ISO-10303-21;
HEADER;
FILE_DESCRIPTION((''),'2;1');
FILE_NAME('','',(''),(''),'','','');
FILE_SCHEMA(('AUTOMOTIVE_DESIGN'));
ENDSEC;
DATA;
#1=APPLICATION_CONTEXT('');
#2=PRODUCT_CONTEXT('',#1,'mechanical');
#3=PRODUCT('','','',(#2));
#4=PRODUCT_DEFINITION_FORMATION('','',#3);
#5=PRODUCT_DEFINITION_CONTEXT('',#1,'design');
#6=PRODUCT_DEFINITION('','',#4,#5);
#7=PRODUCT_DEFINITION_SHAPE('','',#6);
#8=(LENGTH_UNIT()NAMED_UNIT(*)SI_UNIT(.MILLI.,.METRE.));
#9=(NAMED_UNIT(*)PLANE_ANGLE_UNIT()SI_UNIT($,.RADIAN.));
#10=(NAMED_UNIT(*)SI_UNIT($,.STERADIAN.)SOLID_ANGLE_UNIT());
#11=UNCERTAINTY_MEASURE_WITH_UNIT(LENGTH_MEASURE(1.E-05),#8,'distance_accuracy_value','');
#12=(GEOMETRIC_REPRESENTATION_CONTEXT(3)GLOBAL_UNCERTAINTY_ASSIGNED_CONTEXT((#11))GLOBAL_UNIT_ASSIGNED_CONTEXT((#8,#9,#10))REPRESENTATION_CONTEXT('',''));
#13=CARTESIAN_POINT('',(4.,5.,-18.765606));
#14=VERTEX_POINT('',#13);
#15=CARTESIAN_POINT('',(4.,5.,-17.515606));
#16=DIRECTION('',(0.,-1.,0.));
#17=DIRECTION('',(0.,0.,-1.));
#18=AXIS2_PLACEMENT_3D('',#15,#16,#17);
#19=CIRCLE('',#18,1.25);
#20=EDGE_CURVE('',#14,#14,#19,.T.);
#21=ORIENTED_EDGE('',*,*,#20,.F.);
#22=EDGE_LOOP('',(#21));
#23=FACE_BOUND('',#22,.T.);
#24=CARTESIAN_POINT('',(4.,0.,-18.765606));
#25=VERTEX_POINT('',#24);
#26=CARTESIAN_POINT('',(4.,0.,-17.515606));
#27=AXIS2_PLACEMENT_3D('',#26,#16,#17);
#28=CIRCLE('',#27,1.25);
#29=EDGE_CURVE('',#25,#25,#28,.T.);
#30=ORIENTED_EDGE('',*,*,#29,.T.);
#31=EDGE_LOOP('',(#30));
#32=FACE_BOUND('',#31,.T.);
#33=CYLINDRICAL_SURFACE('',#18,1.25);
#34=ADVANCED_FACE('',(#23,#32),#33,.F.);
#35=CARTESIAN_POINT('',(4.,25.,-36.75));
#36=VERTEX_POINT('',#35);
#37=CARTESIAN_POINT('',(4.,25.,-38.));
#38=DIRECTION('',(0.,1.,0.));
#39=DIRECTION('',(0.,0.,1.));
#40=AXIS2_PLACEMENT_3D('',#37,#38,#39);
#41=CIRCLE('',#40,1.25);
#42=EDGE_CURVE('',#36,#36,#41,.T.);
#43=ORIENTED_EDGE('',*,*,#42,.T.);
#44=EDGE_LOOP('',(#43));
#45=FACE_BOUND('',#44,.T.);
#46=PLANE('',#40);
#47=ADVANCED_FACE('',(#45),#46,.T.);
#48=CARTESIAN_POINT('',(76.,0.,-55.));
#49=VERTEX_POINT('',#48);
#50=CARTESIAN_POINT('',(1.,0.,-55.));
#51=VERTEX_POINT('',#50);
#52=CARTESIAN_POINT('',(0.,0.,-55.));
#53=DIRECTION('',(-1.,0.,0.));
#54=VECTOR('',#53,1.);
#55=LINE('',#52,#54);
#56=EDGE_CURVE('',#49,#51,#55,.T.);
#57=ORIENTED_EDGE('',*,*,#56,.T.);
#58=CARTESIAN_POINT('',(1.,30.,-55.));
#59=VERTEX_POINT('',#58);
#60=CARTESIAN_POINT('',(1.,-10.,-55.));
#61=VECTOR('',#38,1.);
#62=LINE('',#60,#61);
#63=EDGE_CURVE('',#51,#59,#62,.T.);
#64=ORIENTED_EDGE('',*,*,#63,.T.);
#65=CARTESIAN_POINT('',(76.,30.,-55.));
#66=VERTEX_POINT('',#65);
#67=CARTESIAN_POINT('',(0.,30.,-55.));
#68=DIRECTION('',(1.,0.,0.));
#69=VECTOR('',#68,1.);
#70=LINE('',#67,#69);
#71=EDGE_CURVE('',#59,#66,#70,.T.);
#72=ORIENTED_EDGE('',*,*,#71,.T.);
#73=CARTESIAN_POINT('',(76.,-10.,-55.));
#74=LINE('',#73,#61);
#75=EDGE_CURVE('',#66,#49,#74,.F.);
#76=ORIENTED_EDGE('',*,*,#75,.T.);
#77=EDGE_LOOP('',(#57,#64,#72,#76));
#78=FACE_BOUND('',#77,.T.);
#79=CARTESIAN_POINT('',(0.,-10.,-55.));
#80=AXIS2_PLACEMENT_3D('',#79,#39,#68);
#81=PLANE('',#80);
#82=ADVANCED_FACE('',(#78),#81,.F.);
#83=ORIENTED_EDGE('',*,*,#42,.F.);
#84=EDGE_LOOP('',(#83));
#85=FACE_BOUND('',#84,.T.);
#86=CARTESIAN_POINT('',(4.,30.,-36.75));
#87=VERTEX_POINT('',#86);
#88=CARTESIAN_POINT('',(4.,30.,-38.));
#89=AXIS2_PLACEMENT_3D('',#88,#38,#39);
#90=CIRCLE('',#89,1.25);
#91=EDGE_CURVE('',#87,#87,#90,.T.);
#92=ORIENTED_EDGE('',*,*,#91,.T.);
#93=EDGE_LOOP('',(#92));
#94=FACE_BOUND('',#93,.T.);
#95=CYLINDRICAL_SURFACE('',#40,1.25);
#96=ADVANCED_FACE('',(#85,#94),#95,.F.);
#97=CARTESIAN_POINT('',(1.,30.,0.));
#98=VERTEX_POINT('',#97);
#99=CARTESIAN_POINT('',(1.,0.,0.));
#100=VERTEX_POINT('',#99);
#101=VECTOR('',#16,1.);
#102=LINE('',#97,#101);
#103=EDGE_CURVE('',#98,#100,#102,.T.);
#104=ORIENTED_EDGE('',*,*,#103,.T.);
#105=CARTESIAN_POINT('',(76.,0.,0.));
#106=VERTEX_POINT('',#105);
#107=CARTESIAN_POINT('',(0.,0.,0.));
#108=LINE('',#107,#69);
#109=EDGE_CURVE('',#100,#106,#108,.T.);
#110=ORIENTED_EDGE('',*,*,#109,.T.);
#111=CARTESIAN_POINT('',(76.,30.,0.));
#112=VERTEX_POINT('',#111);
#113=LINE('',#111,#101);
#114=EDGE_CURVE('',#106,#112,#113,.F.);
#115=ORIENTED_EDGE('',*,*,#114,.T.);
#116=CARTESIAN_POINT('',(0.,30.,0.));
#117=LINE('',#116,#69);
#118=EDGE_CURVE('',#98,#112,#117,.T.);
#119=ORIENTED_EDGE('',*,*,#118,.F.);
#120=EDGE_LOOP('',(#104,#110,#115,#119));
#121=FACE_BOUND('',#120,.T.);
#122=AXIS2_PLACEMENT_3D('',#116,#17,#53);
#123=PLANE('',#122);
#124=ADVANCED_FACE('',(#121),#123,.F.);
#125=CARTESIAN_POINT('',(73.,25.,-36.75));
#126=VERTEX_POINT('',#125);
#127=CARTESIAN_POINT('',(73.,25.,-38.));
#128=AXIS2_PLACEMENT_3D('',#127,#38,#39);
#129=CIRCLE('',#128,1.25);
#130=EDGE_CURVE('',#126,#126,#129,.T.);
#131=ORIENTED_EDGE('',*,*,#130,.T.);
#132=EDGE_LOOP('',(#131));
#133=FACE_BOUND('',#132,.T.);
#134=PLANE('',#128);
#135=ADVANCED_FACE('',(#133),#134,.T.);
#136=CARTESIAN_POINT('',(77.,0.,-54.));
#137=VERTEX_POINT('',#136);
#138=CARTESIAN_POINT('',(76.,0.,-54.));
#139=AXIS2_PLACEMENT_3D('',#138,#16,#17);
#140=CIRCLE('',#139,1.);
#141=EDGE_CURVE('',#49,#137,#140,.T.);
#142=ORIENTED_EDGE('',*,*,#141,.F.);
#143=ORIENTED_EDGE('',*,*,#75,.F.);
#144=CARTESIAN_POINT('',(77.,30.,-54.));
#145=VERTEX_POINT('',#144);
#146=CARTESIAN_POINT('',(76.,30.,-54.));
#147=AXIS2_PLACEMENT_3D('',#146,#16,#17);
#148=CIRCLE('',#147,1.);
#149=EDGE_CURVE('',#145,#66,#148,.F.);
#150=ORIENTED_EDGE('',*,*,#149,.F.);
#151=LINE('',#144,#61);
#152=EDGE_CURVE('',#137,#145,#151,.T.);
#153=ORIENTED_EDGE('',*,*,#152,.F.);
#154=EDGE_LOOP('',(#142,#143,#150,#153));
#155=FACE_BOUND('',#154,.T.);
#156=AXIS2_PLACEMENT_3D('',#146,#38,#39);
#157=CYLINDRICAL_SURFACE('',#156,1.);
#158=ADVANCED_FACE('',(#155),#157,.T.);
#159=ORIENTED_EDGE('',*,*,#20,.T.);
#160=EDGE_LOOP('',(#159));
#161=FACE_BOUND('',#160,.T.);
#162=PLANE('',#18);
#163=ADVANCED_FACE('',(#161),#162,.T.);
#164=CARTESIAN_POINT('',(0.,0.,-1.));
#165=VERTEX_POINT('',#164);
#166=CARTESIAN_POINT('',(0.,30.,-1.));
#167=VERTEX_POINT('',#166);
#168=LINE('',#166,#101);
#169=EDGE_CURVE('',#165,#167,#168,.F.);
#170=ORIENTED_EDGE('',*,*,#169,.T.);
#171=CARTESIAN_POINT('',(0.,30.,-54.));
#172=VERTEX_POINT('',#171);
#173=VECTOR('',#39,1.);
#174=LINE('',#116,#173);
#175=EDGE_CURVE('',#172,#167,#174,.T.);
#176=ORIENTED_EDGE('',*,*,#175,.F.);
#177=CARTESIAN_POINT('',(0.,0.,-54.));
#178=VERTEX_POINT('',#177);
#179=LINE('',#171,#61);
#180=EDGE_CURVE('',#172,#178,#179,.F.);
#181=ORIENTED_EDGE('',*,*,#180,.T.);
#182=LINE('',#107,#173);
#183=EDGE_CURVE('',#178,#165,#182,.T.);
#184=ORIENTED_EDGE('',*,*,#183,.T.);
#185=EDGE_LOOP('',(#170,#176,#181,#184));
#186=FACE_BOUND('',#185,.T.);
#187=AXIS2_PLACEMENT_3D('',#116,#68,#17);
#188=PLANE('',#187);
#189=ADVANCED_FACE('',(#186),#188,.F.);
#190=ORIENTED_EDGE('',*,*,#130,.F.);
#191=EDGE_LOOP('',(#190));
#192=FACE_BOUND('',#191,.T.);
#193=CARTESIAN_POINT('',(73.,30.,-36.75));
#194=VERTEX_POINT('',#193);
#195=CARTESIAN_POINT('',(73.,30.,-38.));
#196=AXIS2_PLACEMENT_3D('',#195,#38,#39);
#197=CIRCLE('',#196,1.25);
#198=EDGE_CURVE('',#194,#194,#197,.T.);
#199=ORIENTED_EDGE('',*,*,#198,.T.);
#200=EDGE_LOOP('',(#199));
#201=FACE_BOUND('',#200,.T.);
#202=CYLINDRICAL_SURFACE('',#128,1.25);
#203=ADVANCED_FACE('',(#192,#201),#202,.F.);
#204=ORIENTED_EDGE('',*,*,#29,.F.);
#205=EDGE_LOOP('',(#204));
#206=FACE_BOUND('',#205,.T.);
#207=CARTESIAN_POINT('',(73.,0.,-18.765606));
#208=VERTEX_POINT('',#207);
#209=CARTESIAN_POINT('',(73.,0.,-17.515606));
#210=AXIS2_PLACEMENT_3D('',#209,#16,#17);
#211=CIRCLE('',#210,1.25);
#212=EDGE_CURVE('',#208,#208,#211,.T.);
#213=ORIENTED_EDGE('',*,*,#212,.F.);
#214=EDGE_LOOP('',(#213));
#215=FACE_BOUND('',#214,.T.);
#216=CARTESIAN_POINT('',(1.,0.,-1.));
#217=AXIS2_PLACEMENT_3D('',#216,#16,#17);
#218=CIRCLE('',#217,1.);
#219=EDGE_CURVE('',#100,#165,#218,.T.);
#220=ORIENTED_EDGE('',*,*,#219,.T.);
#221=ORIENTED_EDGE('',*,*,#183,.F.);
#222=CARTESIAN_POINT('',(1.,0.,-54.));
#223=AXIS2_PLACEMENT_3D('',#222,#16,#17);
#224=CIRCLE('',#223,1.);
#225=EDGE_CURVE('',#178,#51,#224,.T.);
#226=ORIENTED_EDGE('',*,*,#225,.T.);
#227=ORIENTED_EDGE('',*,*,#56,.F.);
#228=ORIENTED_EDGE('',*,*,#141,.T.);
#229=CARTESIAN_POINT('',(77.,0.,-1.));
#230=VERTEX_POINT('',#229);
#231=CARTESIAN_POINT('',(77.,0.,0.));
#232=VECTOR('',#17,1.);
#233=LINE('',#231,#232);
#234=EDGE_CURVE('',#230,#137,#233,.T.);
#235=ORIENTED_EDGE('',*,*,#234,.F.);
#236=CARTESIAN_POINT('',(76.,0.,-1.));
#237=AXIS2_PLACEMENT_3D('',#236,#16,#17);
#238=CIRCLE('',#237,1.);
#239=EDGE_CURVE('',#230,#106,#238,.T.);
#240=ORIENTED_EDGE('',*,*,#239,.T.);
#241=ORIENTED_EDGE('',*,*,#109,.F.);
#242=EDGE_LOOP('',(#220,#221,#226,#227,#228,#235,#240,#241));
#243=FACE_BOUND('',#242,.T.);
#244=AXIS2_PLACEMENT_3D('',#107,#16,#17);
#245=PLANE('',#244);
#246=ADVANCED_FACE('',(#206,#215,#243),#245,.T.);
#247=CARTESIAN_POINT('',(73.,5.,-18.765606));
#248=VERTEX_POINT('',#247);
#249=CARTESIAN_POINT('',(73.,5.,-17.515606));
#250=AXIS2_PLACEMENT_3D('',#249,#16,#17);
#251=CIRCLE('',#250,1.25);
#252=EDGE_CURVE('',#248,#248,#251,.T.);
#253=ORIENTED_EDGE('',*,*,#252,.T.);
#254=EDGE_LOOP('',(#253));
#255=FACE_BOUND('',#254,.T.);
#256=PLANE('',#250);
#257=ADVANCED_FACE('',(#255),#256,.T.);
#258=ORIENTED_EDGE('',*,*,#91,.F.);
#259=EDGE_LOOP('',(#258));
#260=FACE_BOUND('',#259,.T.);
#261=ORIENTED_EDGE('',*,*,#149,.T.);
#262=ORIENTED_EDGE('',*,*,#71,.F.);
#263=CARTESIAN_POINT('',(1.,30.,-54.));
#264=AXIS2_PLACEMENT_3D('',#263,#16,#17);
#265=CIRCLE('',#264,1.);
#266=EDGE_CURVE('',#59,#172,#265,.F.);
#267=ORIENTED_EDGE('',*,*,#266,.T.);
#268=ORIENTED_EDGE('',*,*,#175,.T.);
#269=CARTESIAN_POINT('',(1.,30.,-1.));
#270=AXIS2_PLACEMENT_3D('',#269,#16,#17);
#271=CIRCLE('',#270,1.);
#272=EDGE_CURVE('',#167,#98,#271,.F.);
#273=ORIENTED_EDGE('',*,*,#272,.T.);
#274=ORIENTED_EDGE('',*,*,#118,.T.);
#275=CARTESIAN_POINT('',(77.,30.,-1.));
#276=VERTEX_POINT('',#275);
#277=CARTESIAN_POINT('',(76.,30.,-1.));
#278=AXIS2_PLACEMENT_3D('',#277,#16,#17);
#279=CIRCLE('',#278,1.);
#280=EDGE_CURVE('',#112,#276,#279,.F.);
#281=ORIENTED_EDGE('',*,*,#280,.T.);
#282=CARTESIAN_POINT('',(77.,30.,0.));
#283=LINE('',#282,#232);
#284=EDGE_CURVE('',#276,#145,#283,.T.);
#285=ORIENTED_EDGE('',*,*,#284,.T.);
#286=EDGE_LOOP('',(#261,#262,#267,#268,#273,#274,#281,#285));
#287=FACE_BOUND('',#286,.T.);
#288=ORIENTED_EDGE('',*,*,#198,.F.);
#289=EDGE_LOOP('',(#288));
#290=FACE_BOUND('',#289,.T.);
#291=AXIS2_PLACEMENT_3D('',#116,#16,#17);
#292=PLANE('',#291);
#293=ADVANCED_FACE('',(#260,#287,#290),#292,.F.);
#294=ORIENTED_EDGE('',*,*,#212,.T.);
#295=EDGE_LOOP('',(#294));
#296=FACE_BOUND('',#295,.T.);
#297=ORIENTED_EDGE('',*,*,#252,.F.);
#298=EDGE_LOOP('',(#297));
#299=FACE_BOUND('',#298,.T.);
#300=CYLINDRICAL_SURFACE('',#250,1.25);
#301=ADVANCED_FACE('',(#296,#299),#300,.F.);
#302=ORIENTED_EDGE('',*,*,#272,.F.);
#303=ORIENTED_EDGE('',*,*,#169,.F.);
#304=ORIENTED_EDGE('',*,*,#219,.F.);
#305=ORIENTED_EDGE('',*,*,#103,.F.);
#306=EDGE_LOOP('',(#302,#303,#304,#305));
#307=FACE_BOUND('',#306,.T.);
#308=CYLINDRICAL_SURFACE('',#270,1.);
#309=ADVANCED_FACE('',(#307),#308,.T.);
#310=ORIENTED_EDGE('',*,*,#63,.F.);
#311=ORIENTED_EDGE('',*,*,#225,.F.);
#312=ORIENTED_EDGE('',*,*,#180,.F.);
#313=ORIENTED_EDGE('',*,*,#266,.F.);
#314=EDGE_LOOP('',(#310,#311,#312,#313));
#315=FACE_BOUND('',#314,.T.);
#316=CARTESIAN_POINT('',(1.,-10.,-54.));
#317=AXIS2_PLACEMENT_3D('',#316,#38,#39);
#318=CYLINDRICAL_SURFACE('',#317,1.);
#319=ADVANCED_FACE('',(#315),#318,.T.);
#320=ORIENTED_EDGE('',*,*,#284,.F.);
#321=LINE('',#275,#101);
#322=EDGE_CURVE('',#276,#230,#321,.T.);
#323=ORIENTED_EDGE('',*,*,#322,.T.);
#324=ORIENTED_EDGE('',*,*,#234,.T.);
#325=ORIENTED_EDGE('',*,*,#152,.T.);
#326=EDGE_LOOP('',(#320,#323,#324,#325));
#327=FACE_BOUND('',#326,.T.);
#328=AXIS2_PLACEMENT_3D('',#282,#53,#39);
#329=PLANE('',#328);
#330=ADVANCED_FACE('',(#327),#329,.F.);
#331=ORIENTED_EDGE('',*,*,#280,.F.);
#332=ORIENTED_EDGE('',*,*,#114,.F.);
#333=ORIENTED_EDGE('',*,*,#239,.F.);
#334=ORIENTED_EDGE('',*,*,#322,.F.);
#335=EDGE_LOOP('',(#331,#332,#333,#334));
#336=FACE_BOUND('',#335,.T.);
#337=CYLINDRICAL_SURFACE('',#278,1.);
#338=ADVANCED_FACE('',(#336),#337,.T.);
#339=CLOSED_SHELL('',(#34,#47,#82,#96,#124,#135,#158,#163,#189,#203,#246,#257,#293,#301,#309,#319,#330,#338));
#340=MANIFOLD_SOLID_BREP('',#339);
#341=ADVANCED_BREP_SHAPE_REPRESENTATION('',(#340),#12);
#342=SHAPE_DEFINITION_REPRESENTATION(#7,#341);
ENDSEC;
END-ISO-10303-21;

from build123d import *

# Parameters (mm, degrees)
SKETCH1_W           = 77
SKETCH1_H           = 60
BOSS_EXTRUDE1_DEPTH = 30
FILLET1_R           = 1
SKETCH2_W           = 77
SKETCH2_H           = 5.029469172
CUT_EXTRUDE1_DEPTH  = 40
FILLET3_R           = 1
SKETCH5_R           = 1.25
CUT_EXTRUDE4_DEPTH  = 5
SKETCH6_R           = 1.25
CUT_EXTRUDE5_DEPTH  = 5
SKETCH7_R           = 1.25
CUT_EXTRUDE6_DEPTH  = 5


with BuildPart() as part:
    # Sketch1 → Boss-Extrude1 (new body)
    with BuildSketch(Plane(origin=(0, 0, 0), x_dir=(1, 0, 0), z_dir=(0, 1, 0))):
        with Locations((38.5, 30)):
            Rectangle(SKETCH1_W, SKETCH1_H)
    extrude(amount=BOSS_EXTRUDE1_DEPTH)

    # Fillet1
    fillet1_edges = [part.edges().sort_by_distance(p)[0] for p in [
        (0, 15, -60),
        (77, 15, -60),
        (77, 15, 0),
        (0, 15, 0),
    ]]
    fillet(fillet1_edges, radius=FILLET1_R)

    # Sketch2 → Cut-Extrude1 (cut)
    with BuildSketch(Plane(origin=(0, 30, 0), x_dir=(1, 0, 0), z_dir=(0, 1, 0))):
        with Locations((38.5, 57.514734586)):
            Rectangle(SKETCH2_W, SKETCH2_H)
    extrude(amount=-CUT_EXTRUDE1_DEPTH, mode=Mode.SUBTRACT)

    # Fillet3
    fillet3_edges = [part.edges().sort_by_distance(p)[0] for p in [
        (0, 15, -55),
        (77, 15, -55),
    ]]
    fillet(fillet3_edges, radius=FILLET3_R)

    # Sketch5 → Cut-Extrude4 (cut)
    with BuildSketch(Plane.XZ):
        with Locations(Location((73, -17.515605611, 0), (0, 0, 270))):
            Circle(SKETCH5_R)
    extrude(amount=-CUT_EXTRUDE4_DEPTH, mode=Mode.SUBTRACT)

    # Sketch6 → Cut-Extrude5 (cut)
    with BuildSketch(Plane.XZ):
        with Locations(Location((4, -17.515605611, 0), (0, 0, 270))):
            Circle(SKETCH6_R)
    extrude(amount=-CUT_EXTRUDE5_DEPTH, mode=Mode.SUBTRACT)

    # Sketch7 → Cut-Extrude6 (cut)
    with BuildSketch(Plane(origin=(0, 30, 0), x_dir=(1, 0, 0), z_dir=(0, 1, 0))):
        with Locations(Location((73, 38, 0), (0, 0, 270))):
            Circle(SKETCH7_R)
        with Locations(Location((4, 38, 0), (0, 0, 270))):
            Circle(SKETCH7_R)
    extrude(amount=-CUT_EXTRUDE6_DEPTH, mode=Mode.SUBTRACT)


solid = part.part
